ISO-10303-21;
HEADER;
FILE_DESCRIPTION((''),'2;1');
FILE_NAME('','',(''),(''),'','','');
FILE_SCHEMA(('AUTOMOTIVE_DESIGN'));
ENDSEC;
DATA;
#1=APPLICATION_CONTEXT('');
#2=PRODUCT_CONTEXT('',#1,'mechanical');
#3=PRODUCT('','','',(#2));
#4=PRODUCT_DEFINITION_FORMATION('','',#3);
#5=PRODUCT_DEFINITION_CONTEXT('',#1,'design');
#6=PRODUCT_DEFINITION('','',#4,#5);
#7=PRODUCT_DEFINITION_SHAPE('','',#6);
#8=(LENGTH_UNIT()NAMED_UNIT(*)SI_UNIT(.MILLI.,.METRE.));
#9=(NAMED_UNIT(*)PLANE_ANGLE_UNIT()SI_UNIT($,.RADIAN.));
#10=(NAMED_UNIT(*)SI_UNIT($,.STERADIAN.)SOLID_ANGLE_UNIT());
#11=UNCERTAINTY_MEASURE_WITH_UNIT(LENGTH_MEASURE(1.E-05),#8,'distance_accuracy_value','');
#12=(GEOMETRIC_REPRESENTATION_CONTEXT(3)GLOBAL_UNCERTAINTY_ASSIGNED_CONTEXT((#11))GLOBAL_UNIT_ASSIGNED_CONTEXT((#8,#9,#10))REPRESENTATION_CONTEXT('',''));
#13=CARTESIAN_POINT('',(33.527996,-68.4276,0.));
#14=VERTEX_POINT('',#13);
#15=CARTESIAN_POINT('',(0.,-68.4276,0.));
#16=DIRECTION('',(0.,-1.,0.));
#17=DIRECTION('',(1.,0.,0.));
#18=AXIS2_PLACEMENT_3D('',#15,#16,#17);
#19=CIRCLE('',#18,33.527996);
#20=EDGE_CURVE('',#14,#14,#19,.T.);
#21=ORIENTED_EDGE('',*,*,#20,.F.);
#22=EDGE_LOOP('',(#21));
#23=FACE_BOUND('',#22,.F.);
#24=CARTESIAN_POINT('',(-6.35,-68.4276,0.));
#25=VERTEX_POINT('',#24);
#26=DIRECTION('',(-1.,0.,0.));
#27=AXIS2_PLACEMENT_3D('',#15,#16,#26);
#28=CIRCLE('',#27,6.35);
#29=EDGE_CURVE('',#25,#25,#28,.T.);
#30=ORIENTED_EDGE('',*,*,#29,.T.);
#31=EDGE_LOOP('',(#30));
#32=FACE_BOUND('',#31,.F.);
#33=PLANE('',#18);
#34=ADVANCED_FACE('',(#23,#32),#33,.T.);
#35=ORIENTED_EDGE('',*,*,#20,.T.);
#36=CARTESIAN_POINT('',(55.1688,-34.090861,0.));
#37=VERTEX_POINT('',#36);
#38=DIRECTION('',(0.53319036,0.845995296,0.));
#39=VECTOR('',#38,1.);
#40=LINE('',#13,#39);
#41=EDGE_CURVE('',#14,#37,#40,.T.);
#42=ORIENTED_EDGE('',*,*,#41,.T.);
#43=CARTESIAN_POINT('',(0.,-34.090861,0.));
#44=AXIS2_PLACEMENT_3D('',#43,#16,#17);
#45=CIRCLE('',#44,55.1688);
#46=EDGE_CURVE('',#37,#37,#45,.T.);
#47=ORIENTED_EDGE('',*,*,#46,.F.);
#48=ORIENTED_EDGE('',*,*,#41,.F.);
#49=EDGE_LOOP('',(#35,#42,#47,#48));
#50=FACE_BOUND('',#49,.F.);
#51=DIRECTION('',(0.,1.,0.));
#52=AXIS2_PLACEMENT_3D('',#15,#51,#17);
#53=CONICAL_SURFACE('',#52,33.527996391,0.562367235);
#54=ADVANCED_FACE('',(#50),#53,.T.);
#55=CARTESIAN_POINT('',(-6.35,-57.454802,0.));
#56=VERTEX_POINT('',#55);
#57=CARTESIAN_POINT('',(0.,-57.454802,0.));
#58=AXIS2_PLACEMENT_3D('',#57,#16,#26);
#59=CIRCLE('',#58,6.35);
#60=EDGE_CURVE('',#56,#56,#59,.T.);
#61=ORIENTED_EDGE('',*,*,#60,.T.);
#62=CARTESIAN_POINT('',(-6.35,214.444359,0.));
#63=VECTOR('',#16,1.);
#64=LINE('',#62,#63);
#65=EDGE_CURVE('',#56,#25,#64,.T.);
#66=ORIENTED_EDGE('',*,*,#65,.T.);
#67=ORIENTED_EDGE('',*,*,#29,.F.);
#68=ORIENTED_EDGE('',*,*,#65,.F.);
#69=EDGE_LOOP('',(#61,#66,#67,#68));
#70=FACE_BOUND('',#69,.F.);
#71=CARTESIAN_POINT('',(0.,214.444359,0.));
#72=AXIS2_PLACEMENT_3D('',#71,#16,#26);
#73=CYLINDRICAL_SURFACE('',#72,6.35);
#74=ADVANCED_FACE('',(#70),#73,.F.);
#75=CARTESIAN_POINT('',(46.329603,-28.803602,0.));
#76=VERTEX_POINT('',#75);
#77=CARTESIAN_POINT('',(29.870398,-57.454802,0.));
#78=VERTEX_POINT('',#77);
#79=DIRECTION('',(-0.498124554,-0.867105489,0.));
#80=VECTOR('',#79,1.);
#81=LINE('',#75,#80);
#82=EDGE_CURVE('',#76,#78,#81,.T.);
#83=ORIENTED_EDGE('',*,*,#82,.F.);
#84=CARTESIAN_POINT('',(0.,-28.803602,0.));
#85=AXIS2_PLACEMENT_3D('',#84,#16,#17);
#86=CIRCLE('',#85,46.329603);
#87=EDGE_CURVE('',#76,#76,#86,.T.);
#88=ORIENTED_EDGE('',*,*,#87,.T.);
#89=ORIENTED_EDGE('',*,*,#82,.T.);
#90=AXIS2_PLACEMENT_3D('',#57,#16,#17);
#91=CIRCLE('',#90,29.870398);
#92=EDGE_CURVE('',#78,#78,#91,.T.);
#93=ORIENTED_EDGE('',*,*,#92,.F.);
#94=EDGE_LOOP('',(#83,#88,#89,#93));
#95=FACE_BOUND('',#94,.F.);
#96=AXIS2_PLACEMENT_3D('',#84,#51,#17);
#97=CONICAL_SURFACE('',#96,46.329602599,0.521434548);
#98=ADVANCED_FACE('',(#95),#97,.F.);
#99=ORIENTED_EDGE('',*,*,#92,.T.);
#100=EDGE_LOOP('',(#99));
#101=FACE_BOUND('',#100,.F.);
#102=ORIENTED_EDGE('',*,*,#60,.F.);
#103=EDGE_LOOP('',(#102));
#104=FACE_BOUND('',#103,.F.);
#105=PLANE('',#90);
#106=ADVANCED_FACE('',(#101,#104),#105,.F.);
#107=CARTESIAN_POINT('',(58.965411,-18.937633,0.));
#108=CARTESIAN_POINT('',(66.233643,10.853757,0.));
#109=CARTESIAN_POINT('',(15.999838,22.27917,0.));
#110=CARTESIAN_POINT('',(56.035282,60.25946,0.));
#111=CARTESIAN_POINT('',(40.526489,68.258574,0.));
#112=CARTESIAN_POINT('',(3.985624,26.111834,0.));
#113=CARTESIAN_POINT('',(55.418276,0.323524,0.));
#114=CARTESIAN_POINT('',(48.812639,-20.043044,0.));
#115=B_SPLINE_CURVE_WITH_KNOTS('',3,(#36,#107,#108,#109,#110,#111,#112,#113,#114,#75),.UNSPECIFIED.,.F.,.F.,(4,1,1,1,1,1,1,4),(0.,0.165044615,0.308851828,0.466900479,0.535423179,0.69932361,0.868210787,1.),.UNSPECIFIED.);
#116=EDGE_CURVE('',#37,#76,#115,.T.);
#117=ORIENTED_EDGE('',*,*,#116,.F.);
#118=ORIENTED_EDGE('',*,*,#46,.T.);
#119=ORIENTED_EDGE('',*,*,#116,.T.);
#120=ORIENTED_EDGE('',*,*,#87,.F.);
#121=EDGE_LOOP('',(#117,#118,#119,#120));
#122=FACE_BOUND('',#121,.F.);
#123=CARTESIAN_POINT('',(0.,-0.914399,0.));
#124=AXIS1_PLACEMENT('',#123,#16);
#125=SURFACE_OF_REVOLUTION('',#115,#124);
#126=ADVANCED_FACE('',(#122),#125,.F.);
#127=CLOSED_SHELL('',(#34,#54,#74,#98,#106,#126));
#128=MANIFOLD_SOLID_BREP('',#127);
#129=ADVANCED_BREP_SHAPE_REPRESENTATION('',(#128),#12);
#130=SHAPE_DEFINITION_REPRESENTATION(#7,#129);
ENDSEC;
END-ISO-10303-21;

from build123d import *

# Parameters (mm, degrees)
F3_D = 12.7


with BuildPart() as f1:
    # F0 (on Top) → F1 (revolve)
    with BuildSketch(Plane.XY):
        with BuildLine():
            Line((29.8703983426, -57.4548020959), (0, -57.4548020959))
            Line((0, -57.4548020959), (0, -68.4275999665))
            Line((0, -68.4275999665), (33.5279963911, -68.4275999665))
            Line((33.5279963911, -68.4275999665), (55.168800056, -34.0908612079))
            add(Edge.make_bspline(
                [(55.168800056, -34.0908612079), (58.96541122, -18.9376326812), (66.2336432981, 10.8537567392), (15.9998375177, 22.2791696337), (56.0352824972, 60.2594597105), (40.5264894018, 68.2585742164), (3.9856239695, 26.1118338089), (55.4182759927, 0.323523553), (48.8126387312, -20.0430436903), (46.3296025991, -28.803601861)],
                knots=[0, 0, 0, 0, 0.1650446154, 0.308851828, 0.4669004792, 0.5354231791, 0.6993236101, 0.8682107869, 1, 1, 1, 1], degree=3))
            Line((46.3296025991, -28.803601861), (29.8703983426, -57.4548020959))
        make_face()
    revolve(axis=Axis((0, -0.9143985808, 0), (0, -1, 0)))

    # F3 (through all)
    with Locations(Plane(origin=(0, 0, 0), x_dir=(1, 0, 0), z_dir=(0, 1, 0))):
        with Locations((0, 0)):
            Hole(F3_D / 2)


solid = f1.part
